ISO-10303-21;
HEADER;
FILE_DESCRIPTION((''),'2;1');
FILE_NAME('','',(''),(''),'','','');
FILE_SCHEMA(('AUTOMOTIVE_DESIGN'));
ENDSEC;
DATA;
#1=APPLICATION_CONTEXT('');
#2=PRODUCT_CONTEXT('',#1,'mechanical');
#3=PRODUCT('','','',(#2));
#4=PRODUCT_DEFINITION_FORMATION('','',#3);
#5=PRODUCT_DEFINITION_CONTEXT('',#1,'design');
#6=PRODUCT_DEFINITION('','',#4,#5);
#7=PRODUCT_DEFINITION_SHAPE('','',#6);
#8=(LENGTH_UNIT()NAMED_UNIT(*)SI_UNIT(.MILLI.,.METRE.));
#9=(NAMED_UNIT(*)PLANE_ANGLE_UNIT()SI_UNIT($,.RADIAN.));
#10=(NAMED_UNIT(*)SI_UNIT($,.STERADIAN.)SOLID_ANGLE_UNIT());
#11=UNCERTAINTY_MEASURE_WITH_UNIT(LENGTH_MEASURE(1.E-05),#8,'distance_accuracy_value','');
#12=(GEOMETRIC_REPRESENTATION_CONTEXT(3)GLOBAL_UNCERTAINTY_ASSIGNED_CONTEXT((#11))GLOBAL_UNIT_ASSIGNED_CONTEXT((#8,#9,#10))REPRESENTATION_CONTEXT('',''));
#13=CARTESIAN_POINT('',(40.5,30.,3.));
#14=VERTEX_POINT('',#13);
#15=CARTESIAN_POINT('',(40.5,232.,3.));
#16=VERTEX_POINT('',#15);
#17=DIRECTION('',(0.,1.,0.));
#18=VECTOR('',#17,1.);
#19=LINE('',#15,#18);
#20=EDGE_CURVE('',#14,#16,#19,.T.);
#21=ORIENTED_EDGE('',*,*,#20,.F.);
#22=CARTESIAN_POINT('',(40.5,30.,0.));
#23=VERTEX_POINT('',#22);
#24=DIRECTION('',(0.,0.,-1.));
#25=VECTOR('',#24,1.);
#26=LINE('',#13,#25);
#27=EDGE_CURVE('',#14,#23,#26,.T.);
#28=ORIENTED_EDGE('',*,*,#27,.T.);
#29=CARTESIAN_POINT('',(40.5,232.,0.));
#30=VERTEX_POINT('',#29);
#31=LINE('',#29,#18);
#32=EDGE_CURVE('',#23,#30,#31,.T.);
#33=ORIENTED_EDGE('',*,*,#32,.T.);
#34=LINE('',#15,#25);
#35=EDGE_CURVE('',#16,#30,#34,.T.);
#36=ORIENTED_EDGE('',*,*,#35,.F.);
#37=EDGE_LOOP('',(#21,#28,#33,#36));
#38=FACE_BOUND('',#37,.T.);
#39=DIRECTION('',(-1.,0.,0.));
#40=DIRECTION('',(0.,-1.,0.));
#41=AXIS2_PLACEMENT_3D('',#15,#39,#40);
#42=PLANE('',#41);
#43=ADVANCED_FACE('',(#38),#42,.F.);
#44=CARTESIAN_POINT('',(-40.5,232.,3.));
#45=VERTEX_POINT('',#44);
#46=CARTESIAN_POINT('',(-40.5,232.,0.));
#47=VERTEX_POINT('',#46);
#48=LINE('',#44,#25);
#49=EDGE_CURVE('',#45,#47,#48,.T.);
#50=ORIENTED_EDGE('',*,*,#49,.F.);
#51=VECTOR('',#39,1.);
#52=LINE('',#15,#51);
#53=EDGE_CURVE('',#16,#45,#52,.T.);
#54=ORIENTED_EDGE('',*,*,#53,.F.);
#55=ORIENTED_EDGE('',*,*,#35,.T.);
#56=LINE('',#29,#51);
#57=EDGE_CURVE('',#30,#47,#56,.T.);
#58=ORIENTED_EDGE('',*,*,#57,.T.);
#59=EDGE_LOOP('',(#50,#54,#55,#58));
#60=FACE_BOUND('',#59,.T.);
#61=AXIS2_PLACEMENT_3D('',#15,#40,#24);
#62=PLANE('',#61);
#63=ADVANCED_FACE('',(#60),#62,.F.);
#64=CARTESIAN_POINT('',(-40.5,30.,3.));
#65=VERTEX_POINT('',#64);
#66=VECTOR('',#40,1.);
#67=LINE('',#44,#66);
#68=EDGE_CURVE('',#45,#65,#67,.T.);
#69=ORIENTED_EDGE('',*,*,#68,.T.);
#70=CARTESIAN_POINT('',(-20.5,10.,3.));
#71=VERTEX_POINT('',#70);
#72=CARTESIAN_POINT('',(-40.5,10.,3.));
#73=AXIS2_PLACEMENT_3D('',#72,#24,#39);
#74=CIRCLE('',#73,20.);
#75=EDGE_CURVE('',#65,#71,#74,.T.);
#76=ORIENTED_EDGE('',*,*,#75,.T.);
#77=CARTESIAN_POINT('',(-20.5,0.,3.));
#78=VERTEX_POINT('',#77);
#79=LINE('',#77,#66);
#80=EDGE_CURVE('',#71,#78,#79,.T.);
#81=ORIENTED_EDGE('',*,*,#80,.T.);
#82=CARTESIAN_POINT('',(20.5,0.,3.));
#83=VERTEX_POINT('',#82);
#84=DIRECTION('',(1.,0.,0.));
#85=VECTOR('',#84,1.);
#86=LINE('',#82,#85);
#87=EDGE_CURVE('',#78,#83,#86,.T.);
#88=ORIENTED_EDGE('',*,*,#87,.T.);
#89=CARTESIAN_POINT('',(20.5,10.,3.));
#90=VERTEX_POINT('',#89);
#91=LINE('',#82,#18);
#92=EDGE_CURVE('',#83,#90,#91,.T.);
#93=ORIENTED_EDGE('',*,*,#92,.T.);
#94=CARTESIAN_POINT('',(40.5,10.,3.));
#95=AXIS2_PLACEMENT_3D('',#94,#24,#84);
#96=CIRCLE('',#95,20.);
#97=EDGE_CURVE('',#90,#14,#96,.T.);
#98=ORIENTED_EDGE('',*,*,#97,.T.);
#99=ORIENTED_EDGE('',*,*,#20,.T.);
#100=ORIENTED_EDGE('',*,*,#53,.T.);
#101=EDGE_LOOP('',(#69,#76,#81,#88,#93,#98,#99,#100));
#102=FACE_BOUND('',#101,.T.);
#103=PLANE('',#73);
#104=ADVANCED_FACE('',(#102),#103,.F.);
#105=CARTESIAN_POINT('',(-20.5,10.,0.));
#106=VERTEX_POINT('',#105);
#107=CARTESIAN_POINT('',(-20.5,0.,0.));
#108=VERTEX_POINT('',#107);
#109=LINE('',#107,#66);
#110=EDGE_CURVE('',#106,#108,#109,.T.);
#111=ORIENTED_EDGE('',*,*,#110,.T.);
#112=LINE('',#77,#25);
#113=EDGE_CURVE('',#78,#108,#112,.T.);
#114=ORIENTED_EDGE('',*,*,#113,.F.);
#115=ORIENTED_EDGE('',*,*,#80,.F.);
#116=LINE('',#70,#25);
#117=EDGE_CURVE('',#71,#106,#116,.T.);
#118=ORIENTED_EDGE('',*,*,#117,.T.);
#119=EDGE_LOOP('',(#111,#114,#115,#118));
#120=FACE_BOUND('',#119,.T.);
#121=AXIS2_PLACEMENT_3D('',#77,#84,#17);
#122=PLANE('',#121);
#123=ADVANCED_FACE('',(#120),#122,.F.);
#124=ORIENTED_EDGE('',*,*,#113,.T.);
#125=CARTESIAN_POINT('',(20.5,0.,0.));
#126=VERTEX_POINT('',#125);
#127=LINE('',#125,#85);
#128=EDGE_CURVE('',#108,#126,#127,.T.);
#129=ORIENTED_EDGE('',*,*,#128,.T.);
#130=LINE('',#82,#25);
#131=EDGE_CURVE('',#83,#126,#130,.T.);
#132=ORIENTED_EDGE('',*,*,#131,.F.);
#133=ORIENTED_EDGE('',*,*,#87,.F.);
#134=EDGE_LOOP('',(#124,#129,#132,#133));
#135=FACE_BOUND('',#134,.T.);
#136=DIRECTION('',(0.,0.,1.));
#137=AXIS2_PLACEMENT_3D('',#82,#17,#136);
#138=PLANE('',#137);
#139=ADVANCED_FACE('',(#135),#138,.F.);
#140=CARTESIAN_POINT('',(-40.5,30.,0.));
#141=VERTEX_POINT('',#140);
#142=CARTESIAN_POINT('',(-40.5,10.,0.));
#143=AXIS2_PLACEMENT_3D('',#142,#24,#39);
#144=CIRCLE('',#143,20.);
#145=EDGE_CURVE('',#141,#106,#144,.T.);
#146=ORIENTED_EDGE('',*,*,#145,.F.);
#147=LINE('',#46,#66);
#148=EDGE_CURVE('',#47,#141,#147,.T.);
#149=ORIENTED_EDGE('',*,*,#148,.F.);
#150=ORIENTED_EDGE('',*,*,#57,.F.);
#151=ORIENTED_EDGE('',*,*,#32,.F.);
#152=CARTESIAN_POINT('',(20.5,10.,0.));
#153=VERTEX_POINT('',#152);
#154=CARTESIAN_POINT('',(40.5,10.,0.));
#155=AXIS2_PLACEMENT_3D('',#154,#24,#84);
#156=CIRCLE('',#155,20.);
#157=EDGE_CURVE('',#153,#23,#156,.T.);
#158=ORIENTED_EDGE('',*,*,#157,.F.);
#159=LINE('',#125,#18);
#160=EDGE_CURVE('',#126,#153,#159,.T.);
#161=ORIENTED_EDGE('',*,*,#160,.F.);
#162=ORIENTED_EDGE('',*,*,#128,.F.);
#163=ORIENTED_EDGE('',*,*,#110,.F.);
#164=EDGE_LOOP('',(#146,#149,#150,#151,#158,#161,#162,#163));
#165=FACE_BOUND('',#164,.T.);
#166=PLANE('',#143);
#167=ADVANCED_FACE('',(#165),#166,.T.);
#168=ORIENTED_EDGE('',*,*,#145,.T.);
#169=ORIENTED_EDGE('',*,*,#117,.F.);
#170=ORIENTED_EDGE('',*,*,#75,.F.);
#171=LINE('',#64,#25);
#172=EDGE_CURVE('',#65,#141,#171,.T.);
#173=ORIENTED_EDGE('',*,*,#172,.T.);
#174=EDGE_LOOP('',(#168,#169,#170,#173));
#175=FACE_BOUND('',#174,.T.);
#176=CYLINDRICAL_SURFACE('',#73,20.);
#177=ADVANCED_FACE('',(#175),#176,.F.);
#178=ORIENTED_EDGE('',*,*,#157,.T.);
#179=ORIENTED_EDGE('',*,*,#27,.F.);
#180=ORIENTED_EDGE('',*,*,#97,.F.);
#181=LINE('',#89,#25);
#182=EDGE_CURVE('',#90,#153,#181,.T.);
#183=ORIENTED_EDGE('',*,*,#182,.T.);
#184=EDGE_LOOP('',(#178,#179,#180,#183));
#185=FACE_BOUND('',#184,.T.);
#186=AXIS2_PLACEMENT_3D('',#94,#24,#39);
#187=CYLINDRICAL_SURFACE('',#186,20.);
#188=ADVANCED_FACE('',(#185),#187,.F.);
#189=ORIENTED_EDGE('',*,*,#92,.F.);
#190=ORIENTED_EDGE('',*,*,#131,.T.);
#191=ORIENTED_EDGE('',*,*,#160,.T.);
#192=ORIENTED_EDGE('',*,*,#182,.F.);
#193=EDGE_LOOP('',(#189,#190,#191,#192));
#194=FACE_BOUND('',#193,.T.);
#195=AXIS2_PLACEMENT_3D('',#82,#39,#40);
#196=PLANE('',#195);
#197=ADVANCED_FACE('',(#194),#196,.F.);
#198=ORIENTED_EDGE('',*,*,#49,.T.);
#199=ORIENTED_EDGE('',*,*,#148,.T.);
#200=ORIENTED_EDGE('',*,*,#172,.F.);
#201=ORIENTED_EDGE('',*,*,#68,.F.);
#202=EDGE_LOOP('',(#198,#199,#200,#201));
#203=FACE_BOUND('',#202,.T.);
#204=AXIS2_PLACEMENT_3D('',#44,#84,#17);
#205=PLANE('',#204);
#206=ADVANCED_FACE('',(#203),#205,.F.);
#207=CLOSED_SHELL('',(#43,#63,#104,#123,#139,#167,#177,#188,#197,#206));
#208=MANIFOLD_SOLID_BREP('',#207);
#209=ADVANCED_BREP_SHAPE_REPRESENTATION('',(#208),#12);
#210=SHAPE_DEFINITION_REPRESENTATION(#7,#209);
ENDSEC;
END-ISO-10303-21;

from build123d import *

# Parameters (mm, degrees)
EXTRUSION1_DEPTH = 3


with BuildPart() as part:
    # Esquisse1 → Extrusion1 (new body)
    with BuildSketch(Plane.XY):
        with BuildLine():
            Line((40.5, 232), (-40.5, 232))
            Line((-40.5, 232), (-40.5, 30))
            ThreePointArc((-40.5, 30), (-26.357864376, 24.142135624), (-20.5, 10))
            Line((-20.5, 10), (-20.5, 0))
            Line((-20.5, 0), (20.5, 0))
            Line((20.5, 0), (20.5, 10))
            ThreePointArc((20.5, 10), (26.357864376, 24.142135624), (40.5, 30))
            Line((40.5, 30), (40.5, 232))
        make_face()
    extrude(amount=EXTRUSION1_DEPTH)


solid = part.part
